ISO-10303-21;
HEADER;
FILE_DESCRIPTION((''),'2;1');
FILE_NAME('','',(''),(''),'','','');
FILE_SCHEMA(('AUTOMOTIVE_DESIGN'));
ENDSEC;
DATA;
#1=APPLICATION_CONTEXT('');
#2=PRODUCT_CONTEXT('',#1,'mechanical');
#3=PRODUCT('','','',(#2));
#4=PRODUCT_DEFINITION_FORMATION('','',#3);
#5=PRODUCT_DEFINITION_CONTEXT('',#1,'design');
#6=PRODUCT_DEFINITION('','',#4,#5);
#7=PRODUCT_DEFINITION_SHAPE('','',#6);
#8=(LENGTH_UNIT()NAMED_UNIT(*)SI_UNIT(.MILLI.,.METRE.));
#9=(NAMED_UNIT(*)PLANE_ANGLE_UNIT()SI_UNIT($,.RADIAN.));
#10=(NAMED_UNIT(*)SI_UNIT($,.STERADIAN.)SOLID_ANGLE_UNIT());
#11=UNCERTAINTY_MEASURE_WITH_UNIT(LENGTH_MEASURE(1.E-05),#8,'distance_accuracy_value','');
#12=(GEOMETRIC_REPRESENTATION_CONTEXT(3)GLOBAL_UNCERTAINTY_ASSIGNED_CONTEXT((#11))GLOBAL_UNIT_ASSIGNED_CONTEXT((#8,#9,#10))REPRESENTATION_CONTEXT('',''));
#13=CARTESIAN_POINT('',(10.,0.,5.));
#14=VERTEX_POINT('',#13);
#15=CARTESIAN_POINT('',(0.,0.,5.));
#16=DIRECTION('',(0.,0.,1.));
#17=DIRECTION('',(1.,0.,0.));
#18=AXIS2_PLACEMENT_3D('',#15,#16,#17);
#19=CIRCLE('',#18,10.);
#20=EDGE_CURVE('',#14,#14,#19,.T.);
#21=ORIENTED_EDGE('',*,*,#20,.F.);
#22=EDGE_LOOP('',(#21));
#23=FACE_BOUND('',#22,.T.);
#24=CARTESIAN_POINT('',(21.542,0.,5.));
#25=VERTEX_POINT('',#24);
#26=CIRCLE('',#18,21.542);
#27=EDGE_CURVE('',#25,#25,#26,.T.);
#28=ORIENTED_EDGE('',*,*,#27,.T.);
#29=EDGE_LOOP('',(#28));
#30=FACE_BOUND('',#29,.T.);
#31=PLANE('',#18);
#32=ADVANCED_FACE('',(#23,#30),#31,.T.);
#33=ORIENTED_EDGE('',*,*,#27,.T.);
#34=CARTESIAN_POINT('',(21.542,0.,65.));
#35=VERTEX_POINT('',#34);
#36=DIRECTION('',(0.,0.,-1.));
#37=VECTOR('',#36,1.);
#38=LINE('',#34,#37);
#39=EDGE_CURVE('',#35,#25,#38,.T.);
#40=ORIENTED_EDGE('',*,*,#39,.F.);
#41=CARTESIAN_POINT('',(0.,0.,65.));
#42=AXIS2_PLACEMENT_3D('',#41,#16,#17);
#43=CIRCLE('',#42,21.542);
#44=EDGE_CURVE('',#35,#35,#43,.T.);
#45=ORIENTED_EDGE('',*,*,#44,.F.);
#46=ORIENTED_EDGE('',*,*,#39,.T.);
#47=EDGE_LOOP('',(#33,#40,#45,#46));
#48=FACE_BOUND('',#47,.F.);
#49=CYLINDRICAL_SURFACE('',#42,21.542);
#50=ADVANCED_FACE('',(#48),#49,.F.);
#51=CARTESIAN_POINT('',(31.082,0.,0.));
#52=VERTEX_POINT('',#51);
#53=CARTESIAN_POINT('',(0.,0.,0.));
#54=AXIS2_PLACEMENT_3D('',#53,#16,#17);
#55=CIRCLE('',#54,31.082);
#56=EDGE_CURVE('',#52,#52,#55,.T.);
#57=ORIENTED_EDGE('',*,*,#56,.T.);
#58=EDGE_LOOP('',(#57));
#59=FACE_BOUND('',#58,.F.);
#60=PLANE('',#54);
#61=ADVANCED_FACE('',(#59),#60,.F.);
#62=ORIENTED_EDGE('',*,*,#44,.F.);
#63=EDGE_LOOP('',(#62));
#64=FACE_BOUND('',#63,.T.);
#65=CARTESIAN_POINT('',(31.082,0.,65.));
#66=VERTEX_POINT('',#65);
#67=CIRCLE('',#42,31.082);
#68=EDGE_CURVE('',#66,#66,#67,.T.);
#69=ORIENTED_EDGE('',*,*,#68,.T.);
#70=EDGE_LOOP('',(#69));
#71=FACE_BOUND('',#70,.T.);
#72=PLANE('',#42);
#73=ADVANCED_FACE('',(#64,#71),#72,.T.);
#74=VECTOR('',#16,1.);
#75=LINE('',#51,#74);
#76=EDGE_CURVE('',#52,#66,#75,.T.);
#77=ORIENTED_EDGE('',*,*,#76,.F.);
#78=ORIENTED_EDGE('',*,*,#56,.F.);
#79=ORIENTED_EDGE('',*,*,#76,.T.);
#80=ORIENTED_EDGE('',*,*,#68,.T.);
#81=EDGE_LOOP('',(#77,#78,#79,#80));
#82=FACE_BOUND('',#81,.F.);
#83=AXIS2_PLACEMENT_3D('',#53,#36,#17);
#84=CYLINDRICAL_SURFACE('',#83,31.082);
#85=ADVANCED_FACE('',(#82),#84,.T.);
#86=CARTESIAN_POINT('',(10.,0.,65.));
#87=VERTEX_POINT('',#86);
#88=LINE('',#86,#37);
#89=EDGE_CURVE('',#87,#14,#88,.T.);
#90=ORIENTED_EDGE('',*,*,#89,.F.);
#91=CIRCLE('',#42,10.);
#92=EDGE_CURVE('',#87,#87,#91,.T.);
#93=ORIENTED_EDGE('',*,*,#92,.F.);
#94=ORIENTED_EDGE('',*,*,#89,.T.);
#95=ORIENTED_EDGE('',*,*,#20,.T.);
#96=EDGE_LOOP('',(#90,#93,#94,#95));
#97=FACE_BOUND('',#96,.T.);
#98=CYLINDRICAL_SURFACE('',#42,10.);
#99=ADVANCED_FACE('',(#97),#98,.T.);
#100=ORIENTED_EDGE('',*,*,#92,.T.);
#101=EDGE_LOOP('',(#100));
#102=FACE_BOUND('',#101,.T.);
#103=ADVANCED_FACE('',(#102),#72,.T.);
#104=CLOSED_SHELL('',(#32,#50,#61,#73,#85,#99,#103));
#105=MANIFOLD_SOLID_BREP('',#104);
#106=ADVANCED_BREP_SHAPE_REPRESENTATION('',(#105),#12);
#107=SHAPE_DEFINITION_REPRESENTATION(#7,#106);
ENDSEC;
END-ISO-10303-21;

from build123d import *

# Parameters (mm, degrees)
F0_R     = 31.082
F1_DEPTH = 65
F2_R     = 21.542
F2_R_2   = 10
F3_DEPTH = 60


with BuildPart() as f1:
    # F0 (on Top) → F1 (new body)
    with BuildSketch(Plane.XY):
        Circle(F0_R)
    extrude(amount=F1_DEPTH)

    # F2 (on face) → F3 (cut)
    with BuildSketch(Plane.XY.offset(65)):
        Circle(F2_R)
        Circle(F2_R_2, mode=Mode.SUBTRACT)
    extrude(amount=-F3_DEPTH, mode=Mode.SUBTRACT)


solid = f1.part
